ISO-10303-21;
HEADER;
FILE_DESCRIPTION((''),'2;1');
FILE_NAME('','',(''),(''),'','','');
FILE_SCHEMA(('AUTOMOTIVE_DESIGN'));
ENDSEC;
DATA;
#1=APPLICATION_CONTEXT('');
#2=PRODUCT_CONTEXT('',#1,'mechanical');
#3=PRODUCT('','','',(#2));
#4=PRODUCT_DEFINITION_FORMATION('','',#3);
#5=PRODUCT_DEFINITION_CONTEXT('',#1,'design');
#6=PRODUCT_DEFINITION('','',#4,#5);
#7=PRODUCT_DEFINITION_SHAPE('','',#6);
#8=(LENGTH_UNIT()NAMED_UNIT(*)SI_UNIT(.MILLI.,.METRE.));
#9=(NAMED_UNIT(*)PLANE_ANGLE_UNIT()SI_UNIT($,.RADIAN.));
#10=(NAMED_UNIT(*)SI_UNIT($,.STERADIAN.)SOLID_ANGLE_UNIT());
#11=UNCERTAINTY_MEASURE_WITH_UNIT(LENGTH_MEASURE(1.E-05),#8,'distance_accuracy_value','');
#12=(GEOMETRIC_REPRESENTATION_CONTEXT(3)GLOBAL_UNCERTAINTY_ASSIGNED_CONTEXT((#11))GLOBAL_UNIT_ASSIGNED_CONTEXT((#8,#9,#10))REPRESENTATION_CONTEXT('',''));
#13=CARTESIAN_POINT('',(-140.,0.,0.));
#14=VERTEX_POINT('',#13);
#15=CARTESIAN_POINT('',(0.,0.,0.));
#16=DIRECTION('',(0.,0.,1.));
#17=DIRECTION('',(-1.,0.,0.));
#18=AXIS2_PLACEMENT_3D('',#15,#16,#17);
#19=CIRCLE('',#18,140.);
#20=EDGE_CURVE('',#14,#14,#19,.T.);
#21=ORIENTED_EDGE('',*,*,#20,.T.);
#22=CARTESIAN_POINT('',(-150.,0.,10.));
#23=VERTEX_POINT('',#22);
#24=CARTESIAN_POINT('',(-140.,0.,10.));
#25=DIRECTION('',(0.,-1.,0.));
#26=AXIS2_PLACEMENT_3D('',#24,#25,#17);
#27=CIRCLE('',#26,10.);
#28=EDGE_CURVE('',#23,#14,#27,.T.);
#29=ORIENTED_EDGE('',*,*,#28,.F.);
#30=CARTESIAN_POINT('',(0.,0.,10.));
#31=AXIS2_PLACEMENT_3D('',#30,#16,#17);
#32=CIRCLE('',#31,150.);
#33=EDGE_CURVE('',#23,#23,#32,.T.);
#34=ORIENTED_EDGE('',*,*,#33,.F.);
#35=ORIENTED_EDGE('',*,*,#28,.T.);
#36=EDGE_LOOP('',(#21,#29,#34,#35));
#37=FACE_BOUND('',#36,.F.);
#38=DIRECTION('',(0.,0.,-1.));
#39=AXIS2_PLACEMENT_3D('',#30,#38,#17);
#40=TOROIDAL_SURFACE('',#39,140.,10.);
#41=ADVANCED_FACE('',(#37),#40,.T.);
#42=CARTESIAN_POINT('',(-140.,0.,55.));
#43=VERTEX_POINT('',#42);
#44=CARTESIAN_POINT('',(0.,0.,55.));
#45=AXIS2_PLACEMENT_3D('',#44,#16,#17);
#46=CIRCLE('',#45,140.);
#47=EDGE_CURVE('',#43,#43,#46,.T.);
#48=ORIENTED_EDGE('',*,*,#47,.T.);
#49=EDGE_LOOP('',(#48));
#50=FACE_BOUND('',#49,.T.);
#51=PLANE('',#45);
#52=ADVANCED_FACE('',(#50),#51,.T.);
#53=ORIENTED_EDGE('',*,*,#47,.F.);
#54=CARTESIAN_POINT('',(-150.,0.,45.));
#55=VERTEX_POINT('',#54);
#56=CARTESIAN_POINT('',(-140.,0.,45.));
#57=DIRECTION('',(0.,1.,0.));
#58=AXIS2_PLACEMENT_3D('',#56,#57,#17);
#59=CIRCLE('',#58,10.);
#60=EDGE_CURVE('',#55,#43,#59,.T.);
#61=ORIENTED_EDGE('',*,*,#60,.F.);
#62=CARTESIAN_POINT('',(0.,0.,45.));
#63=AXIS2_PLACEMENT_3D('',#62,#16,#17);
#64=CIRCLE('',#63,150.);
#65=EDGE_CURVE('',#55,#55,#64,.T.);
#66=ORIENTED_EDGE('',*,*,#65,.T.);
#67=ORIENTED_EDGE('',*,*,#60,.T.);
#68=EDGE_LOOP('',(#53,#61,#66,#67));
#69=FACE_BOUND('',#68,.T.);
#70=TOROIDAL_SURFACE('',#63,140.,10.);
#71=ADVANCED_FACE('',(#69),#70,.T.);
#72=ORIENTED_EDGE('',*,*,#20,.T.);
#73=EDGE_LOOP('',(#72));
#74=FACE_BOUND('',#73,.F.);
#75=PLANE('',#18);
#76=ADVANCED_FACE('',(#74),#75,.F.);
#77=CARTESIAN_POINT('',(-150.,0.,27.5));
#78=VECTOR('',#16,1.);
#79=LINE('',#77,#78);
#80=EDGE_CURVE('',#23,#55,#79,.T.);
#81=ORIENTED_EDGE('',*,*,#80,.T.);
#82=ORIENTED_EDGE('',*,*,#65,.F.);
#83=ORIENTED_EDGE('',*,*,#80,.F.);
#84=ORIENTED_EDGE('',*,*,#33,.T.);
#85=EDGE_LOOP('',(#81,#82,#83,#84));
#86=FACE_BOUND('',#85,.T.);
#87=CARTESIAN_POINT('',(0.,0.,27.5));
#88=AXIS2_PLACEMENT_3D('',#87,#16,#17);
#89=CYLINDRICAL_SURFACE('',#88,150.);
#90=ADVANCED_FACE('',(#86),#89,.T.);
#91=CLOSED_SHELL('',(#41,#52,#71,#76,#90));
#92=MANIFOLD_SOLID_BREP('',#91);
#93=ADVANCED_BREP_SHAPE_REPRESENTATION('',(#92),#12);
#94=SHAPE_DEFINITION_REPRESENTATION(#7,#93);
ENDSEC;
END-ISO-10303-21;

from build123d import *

# Parameters (mm, degrees)
F0_W = 150
F0_H = 55
F2_R = 10


with BuildPart() as f1:
    # F0 (on Front) → F1 (revolve)
    with BuildSketch(Plane.XZ):
        with Locations((-75, 27.5)):
            Rectangle(F0_W, F0_H)
    revolve(axis=Axis((0, 0, 27.5), (0, 0, 1)))

    # F2
    f2_edges = [f1.edges().sort_by_distance(p)[0] for p in [
        (150, 0, 55),
        (150, 0, 0),
    ]]
    fillet(f2_edges, radius=F2_R)


solid = f1.part
